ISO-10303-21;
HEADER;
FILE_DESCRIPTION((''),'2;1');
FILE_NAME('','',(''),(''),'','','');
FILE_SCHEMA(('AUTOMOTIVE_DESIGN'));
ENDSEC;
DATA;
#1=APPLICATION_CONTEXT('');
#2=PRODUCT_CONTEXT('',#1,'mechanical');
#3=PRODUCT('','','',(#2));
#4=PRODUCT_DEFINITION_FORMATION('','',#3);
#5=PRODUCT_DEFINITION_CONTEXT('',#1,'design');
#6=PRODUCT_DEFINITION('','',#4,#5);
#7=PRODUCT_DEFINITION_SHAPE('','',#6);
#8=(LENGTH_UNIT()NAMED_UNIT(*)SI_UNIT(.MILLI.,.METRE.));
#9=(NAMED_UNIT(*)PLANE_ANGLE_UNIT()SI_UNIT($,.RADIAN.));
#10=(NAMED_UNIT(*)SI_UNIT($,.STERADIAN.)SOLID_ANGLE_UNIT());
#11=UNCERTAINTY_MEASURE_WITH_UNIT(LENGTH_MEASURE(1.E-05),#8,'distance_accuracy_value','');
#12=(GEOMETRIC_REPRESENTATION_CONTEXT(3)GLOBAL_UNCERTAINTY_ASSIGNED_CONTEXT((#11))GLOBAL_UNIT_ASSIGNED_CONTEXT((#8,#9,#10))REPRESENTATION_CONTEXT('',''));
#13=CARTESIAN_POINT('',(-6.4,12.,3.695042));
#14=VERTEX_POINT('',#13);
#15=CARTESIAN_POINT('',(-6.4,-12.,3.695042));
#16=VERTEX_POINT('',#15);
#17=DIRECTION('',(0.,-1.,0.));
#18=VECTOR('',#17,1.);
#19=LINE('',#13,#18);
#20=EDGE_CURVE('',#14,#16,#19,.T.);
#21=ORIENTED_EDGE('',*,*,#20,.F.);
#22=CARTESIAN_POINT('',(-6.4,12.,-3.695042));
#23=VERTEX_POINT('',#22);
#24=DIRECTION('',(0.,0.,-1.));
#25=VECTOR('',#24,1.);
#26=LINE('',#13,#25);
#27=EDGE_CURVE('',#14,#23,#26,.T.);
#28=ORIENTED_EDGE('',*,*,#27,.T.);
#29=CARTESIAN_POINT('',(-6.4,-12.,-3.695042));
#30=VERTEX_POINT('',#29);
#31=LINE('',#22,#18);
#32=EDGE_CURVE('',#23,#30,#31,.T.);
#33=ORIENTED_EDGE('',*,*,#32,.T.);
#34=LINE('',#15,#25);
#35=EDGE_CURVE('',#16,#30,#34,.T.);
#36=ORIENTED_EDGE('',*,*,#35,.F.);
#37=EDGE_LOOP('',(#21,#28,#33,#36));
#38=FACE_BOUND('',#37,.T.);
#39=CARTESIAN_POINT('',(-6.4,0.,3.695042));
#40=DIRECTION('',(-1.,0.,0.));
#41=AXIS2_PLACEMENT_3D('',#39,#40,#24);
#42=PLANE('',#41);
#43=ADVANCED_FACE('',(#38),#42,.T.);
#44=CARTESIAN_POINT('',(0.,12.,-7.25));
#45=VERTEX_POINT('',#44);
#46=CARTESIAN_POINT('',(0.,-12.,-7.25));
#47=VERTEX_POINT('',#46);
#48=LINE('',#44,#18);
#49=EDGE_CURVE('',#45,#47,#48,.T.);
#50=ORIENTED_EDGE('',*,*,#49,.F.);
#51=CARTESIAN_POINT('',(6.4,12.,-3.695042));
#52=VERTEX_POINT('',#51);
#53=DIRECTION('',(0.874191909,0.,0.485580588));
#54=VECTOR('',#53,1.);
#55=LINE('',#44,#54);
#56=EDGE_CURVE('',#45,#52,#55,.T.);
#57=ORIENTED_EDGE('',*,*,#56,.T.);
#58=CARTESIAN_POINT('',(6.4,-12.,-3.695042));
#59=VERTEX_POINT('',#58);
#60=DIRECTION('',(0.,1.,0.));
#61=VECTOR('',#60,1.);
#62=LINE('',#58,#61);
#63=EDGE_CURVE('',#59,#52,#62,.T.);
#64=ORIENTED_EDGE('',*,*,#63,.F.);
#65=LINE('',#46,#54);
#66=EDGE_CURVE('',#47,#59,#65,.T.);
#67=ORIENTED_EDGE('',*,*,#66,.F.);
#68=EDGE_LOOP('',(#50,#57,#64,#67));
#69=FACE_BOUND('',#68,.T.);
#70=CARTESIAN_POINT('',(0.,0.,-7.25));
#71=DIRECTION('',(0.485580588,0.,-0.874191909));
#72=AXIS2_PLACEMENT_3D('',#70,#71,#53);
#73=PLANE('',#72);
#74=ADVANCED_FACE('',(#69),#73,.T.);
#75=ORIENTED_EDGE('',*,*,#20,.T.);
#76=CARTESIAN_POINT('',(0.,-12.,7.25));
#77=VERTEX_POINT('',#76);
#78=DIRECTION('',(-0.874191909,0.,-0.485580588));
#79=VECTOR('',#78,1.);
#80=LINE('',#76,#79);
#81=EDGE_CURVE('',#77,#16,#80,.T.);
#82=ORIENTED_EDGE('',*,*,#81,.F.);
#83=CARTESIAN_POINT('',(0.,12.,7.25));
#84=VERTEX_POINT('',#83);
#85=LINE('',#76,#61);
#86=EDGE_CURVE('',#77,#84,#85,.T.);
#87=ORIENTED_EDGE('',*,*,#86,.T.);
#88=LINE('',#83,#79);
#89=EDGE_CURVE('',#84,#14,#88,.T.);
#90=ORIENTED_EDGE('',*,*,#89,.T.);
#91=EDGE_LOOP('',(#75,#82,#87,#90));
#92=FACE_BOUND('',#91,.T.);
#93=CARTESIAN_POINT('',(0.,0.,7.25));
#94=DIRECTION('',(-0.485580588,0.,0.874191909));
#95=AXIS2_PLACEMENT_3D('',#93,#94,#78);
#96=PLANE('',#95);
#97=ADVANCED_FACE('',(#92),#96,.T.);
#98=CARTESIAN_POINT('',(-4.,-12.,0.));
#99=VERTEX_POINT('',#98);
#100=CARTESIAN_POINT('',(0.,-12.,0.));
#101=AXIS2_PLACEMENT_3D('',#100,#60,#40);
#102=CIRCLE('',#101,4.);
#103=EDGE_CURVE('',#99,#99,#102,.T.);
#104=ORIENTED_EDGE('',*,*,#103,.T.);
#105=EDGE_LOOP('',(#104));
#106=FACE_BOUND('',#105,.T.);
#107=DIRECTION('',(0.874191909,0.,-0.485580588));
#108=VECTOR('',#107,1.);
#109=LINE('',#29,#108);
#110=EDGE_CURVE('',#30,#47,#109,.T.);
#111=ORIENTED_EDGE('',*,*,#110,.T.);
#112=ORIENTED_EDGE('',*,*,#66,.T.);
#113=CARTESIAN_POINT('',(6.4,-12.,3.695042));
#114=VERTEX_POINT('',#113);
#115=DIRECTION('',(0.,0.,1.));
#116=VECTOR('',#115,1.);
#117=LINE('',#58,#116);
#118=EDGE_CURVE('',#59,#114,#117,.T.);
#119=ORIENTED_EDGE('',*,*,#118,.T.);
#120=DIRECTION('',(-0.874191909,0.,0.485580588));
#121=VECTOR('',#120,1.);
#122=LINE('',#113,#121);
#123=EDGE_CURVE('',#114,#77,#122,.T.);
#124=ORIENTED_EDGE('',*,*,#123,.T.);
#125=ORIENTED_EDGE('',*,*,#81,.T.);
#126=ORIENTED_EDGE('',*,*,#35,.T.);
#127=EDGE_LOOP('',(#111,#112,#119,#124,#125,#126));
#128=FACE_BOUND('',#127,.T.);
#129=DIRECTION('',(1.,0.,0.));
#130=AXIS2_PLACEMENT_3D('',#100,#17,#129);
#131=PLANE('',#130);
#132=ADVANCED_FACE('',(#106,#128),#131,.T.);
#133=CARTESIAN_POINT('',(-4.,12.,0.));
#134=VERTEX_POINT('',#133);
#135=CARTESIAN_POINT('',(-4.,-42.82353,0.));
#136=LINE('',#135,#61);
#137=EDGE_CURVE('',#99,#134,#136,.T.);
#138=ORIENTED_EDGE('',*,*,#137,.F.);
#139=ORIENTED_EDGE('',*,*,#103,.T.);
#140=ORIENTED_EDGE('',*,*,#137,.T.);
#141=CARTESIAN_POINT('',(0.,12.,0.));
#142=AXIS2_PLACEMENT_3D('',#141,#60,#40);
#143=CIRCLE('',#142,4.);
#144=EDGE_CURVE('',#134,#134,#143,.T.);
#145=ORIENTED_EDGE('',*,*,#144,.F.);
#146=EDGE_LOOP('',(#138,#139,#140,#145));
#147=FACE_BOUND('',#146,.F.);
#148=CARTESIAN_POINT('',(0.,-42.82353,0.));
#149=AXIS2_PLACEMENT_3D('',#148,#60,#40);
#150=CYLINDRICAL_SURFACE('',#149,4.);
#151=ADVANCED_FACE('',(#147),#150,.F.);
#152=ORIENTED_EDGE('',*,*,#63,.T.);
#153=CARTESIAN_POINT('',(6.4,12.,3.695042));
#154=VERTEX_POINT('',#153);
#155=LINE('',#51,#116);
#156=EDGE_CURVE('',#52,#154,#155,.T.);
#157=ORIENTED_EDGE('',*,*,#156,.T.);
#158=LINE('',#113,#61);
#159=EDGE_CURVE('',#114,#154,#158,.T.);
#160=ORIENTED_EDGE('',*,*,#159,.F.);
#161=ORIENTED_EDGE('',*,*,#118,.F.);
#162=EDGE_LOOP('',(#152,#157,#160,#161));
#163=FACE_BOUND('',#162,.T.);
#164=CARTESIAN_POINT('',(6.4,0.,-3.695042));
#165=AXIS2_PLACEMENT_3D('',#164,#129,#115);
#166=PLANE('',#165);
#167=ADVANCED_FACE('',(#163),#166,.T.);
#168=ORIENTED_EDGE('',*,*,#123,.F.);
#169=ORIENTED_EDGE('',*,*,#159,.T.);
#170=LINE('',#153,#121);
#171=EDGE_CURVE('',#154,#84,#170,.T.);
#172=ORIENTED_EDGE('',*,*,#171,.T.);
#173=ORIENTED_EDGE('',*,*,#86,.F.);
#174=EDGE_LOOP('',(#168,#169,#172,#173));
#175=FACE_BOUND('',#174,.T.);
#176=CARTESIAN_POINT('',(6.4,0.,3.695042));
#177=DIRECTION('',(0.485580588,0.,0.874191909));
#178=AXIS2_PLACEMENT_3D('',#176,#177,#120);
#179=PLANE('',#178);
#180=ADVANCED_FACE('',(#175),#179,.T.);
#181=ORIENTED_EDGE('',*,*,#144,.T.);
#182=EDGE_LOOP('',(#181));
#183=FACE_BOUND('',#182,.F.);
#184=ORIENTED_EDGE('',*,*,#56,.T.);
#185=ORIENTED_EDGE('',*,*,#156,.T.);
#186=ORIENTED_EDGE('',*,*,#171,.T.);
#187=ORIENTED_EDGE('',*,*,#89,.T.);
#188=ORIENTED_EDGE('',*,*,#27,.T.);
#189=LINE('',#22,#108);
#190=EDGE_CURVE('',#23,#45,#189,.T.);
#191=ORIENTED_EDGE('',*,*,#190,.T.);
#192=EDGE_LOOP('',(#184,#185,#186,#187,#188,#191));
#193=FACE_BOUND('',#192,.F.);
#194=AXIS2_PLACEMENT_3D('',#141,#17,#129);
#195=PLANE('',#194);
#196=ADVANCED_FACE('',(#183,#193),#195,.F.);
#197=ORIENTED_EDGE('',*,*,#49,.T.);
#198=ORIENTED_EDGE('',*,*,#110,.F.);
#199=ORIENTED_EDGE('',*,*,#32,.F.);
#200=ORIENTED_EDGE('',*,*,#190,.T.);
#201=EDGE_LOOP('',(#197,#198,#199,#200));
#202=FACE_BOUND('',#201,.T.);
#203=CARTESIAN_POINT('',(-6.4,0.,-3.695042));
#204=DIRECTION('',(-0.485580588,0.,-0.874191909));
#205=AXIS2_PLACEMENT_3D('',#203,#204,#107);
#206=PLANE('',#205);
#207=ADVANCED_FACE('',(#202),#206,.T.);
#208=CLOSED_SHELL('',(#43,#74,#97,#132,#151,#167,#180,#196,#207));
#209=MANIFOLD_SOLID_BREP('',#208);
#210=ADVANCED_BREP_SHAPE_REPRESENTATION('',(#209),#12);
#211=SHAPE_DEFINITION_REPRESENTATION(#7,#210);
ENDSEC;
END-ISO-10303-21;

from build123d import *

# Parameters (mm, degrees)
F1_DEPTH = 12
F3_D     = 8


with BuildPart() as f1:
    # F0 (on Front) → F1 (new body, symmetric)
    with BuildSketch(Plane.XZ):
        Polygon((0, 7.25), (-6.4, 3.6950417228), (-6.4, -3.6950417228), (0, -7.25), (6.4, -3.6950417228), (6.4, 3.6950417228), align=None)
    extrude(amount=F1_DEPTH, both=True)

    # F3 (through all)
    with Locations(Plane.XZ.offset(12)):
        with Locations((0, 0)):
            Hole(F3_D / 2)


solid = f1.part
